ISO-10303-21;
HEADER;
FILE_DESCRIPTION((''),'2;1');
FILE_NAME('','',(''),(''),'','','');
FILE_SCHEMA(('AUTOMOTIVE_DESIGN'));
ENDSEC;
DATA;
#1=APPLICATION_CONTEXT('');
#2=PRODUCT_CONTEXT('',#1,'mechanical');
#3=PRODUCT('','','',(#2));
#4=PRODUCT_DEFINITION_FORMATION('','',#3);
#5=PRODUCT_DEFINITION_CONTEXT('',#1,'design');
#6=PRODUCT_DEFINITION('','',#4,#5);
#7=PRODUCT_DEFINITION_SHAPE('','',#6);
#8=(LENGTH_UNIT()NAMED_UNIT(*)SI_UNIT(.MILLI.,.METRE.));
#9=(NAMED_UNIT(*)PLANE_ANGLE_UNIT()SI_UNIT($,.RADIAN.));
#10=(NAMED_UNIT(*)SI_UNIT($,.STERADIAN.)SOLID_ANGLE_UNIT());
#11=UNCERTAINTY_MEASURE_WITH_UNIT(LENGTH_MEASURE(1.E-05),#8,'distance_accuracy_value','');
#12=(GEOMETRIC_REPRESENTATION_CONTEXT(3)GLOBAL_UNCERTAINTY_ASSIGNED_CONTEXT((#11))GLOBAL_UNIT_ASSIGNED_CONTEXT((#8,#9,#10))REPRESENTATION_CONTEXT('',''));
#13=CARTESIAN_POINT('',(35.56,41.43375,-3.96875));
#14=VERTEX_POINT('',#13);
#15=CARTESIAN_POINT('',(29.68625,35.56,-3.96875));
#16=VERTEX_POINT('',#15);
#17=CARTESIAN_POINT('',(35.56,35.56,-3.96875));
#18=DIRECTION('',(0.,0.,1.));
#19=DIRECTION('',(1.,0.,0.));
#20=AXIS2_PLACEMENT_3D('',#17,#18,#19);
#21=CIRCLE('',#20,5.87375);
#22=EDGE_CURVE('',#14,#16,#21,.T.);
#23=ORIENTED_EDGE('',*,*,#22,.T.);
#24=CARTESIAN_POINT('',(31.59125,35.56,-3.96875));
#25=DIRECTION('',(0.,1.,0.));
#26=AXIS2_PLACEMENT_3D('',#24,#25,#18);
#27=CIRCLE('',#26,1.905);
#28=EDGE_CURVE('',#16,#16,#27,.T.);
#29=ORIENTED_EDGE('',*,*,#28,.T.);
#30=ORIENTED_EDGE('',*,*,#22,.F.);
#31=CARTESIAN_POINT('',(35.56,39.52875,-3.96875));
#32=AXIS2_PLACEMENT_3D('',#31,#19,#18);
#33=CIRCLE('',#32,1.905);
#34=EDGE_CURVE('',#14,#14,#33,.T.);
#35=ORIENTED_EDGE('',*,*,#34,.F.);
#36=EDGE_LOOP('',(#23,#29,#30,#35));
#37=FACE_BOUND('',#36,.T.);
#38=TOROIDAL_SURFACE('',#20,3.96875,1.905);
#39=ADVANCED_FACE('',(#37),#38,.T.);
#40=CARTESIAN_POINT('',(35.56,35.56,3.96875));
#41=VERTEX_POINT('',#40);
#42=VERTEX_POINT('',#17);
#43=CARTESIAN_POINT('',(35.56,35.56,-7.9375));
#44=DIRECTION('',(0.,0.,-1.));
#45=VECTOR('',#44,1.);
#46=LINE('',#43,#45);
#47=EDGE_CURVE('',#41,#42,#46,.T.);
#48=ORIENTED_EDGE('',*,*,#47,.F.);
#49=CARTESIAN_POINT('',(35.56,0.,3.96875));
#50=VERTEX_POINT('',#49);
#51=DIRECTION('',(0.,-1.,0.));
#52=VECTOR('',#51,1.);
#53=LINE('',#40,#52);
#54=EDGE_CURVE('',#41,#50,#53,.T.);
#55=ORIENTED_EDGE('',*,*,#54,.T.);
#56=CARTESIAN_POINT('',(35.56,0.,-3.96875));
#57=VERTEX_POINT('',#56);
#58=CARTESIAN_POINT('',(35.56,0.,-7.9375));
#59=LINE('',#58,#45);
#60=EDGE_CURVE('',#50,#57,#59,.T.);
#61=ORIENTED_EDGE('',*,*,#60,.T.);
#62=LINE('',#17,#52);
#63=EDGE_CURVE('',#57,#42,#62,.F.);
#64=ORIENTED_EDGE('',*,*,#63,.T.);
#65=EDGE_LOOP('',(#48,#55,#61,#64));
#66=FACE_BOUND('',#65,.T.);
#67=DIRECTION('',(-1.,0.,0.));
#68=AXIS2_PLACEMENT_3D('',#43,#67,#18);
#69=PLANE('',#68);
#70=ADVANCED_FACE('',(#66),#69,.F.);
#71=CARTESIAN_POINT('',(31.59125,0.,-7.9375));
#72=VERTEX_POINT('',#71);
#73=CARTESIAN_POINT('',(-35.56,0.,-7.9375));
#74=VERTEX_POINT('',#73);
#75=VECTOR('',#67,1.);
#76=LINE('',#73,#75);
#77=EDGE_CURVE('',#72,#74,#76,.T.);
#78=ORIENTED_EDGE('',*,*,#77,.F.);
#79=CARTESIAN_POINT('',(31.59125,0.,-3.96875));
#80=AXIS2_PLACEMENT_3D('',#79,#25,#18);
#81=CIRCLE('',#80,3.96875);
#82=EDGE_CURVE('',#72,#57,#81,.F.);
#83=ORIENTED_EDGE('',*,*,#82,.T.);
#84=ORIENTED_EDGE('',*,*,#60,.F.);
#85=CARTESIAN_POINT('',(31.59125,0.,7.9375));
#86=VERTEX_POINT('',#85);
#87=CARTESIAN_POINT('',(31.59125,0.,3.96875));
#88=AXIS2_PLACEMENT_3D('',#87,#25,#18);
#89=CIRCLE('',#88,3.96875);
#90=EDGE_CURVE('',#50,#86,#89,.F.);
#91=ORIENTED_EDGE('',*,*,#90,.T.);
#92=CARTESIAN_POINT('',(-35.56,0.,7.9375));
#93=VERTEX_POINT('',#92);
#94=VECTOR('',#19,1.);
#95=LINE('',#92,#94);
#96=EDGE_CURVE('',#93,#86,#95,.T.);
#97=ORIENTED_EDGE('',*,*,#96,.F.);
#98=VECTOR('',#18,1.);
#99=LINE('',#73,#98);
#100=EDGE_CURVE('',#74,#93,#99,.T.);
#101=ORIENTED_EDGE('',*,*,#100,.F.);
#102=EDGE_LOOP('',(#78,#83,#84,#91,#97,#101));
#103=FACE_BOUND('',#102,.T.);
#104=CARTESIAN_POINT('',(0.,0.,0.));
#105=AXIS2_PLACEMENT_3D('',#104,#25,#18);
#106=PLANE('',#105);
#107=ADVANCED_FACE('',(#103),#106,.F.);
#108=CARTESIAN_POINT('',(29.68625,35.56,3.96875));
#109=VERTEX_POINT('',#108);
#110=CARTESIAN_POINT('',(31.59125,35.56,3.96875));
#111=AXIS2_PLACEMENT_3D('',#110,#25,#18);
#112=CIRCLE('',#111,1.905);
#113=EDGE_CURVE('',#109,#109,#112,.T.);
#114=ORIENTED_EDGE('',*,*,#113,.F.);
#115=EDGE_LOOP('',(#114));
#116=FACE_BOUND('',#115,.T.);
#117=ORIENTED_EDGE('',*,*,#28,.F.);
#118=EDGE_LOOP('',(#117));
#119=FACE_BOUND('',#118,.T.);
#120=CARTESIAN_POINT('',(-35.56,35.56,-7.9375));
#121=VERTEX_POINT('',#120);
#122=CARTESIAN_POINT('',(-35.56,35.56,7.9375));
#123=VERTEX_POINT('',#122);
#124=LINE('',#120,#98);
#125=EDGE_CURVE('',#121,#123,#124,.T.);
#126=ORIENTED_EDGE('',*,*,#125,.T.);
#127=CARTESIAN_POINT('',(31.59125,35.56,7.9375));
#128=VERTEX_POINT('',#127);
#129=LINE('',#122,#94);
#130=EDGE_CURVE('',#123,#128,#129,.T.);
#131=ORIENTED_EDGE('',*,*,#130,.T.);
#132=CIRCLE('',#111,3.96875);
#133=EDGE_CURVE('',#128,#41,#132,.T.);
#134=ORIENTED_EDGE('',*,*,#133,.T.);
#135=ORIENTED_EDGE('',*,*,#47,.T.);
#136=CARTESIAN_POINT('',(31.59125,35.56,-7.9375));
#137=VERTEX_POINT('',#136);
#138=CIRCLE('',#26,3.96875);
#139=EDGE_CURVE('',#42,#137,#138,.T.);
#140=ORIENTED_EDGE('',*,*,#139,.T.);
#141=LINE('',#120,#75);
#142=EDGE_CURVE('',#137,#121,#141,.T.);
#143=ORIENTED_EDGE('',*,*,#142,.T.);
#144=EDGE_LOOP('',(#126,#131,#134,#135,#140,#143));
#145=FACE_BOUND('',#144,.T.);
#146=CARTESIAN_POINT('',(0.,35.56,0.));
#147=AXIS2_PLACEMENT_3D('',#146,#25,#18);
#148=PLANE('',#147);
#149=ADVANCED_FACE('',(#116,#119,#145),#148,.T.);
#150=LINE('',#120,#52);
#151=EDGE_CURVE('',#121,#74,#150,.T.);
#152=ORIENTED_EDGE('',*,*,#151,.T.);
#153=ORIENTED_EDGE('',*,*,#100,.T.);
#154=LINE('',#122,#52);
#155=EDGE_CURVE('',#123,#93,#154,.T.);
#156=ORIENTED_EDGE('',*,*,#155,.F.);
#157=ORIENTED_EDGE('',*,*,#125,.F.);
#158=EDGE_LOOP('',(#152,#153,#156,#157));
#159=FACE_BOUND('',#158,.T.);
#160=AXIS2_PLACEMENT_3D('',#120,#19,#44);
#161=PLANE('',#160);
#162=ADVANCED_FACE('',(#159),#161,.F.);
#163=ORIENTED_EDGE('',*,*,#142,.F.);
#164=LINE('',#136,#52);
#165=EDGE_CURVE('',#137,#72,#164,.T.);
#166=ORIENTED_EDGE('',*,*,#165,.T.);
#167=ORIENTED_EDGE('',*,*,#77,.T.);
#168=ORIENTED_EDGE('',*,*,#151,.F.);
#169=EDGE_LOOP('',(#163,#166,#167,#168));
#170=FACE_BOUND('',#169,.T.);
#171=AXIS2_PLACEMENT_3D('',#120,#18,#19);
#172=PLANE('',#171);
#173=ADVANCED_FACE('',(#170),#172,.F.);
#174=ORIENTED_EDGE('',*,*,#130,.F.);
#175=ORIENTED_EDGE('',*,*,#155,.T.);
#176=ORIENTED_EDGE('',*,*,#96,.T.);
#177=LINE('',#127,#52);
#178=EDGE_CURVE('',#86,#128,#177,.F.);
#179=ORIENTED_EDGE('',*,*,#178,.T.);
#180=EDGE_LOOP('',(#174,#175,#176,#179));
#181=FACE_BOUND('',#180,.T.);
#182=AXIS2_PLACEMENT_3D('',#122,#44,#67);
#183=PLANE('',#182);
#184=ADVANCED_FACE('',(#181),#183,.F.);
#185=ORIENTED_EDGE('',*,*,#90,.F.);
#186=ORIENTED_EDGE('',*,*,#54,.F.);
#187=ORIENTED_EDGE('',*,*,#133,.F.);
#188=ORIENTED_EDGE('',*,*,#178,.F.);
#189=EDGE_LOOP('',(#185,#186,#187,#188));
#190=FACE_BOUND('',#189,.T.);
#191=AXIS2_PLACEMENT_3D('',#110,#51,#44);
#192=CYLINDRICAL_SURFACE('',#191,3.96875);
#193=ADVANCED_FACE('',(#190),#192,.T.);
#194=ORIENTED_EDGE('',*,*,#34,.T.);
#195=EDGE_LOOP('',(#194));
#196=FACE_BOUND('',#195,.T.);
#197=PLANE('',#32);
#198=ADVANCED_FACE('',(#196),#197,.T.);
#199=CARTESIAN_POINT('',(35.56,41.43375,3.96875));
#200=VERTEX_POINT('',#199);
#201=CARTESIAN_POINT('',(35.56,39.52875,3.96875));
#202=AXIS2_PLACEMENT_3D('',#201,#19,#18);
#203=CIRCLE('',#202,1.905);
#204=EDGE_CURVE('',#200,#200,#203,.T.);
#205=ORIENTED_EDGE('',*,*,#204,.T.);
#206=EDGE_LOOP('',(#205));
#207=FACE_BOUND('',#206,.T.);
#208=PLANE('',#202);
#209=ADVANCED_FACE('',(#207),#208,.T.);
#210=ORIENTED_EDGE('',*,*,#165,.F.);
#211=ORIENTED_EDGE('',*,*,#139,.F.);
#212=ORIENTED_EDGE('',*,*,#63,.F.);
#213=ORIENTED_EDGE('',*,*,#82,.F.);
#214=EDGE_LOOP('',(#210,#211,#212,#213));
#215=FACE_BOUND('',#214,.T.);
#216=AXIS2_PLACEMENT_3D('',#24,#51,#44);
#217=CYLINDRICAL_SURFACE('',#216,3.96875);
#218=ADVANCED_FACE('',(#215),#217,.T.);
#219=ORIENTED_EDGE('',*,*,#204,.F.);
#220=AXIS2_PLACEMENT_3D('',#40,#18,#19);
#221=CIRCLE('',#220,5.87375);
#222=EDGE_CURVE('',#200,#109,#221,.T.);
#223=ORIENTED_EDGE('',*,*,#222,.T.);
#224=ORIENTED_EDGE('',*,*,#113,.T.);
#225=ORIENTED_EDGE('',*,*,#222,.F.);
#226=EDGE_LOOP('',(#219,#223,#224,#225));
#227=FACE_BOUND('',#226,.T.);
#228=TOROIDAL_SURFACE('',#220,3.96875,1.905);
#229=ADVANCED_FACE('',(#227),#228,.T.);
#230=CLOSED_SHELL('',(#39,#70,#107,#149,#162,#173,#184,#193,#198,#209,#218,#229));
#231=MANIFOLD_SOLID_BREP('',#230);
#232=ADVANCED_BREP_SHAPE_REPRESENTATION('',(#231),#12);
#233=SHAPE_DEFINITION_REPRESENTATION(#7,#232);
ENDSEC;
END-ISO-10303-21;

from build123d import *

# Parameters (mm, degrees)
SKETCH2_W           = 71.12
SKETCH2_H           = 15.875
BOSS_EXTRUDE1_DEPTH = 35.56
FILLET1_R           = 3.96875
SKETCH3_R           = 1.905
REVOLVE1_ANGLE      = 90


with BuildPart() as part:
    # Sketch2 → Boss-Extrude1 (new body)
    with BuildSketch(Plane(origin=(0, 0, 0), x_dir=(1, 0, 0), z_dir=(0, 1, 0))):
        Rectangle(SKETCH2_W, SKETCH2_H)
    extrude(amount=BOSS_EXTRUDE1_DEPTH)

    # Fillet1
    fillet1_edges = [part.edges().sort_by_distance(p)[0] for p in [
        (35.56, 17.78, 7.9375),
        (35.56, 17.78, -7.9375),
    ]]
    fillet(fillet1_edges, radius=FILLET1_R)

    # Sketch3 → Revolve1 (revolve)
    with BuildSketch(Plane(origin=(0, 35.56, 0), x_dir=(1, 0, 0), z_dir=(0, 1, 0))):
        with Locations((31.59125, -3.96875)):
            Circle(SKETCH3_R)
        with Locations((31.59125, 3.96875)):
            Circle(SKETCH3_R)
    revolve(axis=Axis((35.56, 35.56, -7.9375), (0, 0, -1)), revolution_arc=REVOLVE1_ANGLE)


solid = part.part
